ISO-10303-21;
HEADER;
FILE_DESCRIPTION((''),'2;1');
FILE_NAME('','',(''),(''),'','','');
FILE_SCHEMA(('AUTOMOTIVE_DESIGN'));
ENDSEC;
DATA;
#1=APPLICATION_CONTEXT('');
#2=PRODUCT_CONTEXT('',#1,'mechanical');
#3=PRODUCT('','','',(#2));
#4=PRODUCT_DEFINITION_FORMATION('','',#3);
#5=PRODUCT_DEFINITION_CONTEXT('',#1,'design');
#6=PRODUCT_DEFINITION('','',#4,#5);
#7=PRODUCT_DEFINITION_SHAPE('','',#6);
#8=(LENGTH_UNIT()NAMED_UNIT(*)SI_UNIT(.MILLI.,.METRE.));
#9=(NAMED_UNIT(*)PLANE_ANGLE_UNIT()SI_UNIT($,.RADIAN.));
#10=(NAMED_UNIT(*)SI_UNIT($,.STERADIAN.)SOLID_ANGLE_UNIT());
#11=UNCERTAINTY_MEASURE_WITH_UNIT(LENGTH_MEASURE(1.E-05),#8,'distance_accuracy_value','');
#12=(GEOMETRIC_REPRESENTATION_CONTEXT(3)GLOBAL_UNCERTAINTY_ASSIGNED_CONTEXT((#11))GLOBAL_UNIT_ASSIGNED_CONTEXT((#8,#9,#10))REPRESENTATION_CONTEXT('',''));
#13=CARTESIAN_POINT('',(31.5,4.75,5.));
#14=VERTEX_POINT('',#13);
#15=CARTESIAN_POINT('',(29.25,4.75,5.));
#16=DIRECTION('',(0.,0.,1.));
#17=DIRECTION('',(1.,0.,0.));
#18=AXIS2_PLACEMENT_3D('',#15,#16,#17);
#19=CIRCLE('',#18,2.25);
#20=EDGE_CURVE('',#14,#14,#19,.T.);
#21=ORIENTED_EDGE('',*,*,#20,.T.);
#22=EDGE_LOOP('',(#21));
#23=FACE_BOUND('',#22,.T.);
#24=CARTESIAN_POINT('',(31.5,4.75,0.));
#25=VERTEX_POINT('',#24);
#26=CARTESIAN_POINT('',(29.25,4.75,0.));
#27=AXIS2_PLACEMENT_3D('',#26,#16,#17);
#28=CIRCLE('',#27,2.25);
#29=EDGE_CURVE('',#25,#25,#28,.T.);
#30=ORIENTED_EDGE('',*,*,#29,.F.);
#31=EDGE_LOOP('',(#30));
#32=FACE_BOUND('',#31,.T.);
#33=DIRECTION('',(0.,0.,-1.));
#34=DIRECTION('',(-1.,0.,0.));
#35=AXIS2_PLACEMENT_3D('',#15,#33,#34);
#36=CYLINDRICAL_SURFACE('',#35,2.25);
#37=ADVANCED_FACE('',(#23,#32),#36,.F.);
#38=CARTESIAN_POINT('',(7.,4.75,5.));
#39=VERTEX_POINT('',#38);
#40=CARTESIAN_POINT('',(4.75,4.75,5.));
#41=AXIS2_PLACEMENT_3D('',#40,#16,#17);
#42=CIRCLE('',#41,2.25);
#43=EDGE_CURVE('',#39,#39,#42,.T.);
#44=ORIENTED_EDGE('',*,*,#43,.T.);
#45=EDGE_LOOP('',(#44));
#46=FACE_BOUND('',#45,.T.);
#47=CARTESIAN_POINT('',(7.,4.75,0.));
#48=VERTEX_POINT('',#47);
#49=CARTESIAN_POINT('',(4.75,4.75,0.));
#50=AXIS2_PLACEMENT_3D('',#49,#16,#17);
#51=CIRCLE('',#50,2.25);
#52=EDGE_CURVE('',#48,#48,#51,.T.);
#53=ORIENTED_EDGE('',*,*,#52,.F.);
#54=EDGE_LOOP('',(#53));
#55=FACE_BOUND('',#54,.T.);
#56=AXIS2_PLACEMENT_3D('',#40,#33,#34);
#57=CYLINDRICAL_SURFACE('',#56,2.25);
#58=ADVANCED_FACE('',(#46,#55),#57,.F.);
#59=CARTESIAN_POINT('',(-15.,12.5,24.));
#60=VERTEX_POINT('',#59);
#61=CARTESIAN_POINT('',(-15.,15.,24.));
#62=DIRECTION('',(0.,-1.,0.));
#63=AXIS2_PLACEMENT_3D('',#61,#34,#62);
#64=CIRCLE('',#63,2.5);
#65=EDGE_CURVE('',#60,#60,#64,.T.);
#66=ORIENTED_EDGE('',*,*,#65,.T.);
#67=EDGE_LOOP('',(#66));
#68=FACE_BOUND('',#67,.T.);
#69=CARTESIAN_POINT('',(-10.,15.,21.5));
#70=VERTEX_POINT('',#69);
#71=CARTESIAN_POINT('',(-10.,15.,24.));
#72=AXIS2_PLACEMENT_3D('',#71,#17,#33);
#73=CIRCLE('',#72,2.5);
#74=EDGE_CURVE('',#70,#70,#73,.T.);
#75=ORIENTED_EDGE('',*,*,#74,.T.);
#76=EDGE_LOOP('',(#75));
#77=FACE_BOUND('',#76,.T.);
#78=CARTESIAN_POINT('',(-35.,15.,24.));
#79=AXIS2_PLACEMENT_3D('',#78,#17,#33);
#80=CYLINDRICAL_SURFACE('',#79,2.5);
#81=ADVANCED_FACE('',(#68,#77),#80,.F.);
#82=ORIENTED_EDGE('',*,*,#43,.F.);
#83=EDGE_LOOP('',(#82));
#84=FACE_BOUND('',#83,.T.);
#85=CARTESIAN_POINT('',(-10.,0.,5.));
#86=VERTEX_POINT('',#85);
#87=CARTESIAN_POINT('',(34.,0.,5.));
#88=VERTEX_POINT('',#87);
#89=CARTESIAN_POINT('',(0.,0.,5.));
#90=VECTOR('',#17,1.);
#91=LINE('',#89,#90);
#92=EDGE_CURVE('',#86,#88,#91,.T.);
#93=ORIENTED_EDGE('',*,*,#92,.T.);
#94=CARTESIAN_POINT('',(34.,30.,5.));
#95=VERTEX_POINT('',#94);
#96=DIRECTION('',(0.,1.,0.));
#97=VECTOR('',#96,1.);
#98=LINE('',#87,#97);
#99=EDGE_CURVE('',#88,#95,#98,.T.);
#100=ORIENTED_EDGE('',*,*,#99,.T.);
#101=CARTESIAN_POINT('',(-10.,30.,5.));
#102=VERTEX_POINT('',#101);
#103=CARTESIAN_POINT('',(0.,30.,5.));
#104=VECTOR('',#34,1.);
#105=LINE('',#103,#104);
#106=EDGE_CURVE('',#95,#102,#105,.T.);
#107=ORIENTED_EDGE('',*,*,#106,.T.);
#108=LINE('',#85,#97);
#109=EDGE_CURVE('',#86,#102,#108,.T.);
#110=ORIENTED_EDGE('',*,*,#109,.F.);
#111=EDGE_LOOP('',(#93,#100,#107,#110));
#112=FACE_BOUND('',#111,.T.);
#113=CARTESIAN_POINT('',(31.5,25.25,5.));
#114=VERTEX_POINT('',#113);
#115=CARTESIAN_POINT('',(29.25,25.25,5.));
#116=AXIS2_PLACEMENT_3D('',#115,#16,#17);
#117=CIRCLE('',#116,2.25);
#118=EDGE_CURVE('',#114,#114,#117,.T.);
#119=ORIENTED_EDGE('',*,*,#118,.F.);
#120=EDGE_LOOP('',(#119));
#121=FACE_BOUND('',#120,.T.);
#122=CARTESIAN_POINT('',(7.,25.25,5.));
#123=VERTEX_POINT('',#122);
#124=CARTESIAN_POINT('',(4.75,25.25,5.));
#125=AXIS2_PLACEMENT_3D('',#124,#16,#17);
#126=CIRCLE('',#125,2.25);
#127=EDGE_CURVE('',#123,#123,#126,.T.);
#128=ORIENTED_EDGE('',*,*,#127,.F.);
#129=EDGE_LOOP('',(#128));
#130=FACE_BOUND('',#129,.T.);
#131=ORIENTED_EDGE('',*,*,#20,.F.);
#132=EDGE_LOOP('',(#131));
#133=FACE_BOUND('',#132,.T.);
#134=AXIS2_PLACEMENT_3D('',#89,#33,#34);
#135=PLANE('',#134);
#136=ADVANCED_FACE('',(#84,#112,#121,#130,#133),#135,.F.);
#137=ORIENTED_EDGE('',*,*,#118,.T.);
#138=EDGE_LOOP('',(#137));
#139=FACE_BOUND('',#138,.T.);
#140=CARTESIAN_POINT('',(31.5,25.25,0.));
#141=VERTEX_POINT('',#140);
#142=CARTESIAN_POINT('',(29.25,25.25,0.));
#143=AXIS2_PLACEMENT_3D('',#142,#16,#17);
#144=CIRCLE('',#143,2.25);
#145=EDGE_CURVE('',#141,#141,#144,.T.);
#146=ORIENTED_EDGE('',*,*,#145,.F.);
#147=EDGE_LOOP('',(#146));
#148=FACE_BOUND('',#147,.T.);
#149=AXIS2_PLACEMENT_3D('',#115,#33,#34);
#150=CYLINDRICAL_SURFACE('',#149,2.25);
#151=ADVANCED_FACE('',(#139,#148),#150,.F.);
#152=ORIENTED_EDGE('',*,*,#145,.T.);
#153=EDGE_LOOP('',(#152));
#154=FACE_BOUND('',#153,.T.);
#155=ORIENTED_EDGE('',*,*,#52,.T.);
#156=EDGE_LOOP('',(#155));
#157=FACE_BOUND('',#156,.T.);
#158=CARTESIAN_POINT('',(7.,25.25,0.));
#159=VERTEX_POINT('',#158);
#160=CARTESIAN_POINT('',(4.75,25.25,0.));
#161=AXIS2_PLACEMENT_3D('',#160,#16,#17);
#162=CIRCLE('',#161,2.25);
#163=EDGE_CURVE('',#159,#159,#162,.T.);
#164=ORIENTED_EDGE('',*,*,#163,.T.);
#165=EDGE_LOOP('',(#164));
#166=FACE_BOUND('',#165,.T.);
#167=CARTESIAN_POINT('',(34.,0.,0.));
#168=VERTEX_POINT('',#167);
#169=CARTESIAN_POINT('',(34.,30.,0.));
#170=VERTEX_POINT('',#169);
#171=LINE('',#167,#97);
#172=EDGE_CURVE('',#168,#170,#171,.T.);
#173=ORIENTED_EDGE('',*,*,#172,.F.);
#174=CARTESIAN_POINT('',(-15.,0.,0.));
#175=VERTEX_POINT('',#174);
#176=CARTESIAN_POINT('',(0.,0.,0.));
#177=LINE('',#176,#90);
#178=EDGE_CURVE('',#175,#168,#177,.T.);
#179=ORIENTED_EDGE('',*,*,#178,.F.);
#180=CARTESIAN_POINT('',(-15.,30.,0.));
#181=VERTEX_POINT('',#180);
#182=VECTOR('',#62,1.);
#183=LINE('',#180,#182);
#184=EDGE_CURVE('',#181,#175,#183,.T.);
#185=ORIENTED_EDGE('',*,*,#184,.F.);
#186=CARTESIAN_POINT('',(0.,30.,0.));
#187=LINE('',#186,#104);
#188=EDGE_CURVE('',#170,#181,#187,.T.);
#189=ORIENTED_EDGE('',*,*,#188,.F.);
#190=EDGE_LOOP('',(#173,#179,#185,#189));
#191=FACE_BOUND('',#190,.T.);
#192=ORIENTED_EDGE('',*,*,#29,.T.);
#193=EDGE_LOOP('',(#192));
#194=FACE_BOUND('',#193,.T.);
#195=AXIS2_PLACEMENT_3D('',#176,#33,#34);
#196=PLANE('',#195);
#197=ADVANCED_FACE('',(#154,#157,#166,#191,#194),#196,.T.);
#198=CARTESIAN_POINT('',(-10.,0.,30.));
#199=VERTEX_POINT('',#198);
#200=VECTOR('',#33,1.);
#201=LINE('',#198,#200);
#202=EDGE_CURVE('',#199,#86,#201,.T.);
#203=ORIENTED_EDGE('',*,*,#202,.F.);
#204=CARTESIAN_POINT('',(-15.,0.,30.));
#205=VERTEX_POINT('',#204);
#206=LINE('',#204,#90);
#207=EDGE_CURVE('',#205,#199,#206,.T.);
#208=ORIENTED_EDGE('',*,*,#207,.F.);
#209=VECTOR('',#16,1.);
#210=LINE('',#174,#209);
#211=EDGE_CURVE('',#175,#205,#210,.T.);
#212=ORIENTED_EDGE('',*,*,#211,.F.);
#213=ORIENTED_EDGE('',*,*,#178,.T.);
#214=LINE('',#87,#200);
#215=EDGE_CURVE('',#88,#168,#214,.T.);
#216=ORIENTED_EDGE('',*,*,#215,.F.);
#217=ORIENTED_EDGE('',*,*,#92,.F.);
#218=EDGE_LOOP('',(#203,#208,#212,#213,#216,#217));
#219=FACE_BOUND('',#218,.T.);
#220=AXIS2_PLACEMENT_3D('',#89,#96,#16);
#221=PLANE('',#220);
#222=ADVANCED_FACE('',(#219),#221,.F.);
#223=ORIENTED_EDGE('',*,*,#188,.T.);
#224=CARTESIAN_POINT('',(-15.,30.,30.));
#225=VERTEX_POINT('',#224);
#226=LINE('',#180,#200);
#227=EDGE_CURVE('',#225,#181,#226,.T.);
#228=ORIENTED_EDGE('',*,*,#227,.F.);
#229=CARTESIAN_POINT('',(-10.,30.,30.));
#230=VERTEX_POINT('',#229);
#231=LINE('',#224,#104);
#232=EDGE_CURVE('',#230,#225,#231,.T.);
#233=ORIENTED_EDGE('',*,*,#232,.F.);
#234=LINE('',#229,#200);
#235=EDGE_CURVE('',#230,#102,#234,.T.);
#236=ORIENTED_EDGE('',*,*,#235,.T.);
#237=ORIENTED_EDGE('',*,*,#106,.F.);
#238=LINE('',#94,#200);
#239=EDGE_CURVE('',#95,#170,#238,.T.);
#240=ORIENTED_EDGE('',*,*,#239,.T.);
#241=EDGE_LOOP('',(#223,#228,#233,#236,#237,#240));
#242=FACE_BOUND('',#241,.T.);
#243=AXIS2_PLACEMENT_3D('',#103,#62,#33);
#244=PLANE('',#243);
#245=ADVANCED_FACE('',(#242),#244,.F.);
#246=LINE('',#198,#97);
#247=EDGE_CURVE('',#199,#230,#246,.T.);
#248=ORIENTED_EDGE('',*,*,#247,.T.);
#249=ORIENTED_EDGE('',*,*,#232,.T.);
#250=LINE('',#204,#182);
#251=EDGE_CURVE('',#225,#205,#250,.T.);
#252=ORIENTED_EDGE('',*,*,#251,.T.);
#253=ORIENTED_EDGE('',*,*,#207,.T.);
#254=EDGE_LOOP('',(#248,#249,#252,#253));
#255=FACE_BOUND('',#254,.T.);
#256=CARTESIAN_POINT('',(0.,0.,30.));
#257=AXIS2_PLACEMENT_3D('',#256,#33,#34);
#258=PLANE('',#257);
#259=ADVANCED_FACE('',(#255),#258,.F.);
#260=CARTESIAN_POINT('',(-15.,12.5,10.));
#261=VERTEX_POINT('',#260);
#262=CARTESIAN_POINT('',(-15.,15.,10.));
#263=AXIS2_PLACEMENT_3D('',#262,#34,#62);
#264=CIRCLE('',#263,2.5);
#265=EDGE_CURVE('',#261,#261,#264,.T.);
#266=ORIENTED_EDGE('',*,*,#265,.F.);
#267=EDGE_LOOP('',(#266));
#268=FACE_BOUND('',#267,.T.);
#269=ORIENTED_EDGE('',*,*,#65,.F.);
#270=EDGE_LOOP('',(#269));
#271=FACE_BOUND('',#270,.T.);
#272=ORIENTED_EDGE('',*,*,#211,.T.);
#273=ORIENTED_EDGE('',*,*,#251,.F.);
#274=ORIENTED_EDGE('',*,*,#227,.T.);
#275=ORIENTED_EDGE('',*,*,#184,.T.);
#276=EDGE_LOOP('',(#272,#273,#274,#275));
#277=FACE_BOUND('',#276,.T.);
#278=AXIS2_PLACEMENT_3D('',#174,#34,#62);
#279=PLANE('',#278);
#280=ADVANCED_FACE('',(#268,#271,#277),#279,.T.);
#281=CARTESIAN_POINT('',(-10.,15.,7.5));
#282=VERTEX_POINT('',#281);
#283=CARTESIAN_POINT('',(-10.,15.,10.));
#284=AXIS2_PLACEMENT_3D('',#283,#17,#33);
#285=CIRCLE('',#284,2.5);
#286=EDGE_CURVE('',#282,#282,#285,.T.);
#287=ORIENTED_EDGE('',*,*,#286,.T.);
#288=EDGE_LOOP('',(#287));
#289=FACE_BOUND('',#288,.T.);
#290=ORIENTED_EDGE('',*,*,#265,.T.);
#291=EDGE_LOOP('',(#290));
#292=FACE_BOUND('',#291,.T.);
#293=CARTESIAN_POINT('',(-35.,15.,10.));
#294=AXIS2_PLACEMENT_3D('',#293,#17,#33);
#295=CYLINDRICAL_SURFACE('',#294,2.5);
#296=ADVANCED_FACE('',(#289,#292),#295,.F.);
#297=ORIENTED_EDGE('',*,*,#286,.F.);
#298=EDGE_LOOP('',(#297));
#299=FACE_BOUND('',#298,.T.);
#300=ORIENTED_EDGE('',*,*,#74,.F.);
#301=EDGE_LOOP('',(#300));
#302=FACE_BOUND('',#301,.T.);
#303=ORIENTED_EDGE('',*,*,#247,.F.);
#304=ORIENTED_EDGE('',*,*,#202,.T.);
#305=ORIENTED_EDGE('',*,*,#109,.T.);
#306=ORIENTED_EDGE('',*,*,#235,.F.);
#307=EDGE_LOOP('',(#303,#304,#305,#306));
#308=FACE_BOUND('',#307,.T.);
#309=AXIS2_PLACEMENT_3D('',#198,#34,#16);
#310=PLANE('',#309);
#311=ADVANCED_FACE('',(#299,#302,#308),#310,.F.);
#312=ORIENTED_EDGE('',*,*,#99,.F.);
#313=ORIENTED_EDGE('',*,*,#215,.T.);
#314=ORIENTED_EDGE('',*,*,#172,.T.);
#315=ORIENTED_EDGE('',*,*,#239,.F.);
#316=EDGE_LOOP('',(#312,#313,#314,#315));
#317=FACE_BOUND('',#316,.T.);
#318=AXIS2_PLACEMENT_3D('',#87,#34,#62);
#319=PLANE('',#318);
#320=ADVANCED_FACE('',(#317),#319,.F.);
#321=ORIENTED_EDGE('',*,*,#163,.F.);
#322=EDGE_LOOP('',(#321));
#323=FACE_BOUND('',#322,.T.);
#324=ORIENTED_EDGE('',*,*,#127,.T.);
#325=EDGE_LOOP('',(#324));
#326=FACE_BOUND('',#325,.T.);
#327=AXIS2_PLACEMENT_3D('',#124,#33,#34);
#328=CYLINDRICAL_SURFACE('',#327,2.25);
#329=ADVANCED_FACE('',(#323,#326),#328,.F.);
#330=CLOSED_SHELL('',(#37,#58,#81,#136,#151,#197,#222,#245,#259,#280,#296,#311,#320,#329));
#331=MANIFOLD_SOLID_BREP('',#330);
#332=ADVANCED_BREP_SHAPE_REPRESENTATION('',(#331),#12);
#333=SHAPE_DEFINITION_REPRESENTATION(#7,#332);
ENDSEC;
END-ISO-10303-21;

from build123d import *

# Parameters (mm, degrees)
SKETCH1_W           = 34
SKETCH1_H           = 30
SKETCH1_R           = 2.25
BOSS_EXTRUDE1_DEPTH = 5
SKETCH2_W           = 5
SKETCH2_H           = 30
BOSS_EXTRUDE2_DEPTH = 15
SKETCH4_W           = 5
SKETCH4_H           = 30
BOSS_EXTRUDE3_DEPTH = 25
SKETCH5_R           = 2.5
CUT_EXTRUDE1_DEPTH  = 25


with BuildPart() as part:
    # Sketch1 → Boss-Extrude1 (new body)
    with BuildSketch(Plane.XY):
        with Locations((17, 15)):
            Rectangle(SKETCH1_W, SKETCH1_H)
        with Locations((4.75, 25.25)):
            Circle(SKETCH1_R, mode=Mode.SUBTRACT)
        with Locations((29.25, 25.25)):
            Circle(SKETCH1_R, mode=Mode.SUBTRACT)
        with Locations((29.25, 4.75)):
            Circle(SKETCH1_R, mode=Mode.SUBTRACT)
        with Locations((4.75, 4.75)):
            Circle(SKETCH1_R, mode=Mode.SUBTRACT)
    extrude(amount=BOSS_EXTRUDE1_DEPTH)

    # Sketch2 → Boss-Extrude2 (add)
    with BuildSketch(Plane.ZY):
        with Locations((2.5, 15)):
            Rectangle(SKETCH2_W, SKETCH2_H)
    extrude(amount=BOSS_EXTRUDE2_DEPTH)

    # Sketch4 → Boss-Extrude3 (add)
    with BuildSketch(Plane.XY.offset(5)):
        with Locations((-12.5, 15)):
            Rectangle(SKETCH4_W, SKETCH4_H)
    extrude(amount=BOSS_EXTRUDE3_DEPTH)

    # Sketch5 → Cut-Extrude1 (cut)
    with BuildSketch(Plane(origin=(-10, 0, 0), x_dir=(0, 0, -1), z_dir=(1, 0, 0))):
        with Locations((-24, 15)):
            Circle(SKETCH5_R)
        with Locations((-10, 15)):
            Circle(SKETCH5_R)
    extrude(amount=-CUT_EXTRUDE1_DEPTH, mode=Mode.SUBTRACT)


solid = part.part
